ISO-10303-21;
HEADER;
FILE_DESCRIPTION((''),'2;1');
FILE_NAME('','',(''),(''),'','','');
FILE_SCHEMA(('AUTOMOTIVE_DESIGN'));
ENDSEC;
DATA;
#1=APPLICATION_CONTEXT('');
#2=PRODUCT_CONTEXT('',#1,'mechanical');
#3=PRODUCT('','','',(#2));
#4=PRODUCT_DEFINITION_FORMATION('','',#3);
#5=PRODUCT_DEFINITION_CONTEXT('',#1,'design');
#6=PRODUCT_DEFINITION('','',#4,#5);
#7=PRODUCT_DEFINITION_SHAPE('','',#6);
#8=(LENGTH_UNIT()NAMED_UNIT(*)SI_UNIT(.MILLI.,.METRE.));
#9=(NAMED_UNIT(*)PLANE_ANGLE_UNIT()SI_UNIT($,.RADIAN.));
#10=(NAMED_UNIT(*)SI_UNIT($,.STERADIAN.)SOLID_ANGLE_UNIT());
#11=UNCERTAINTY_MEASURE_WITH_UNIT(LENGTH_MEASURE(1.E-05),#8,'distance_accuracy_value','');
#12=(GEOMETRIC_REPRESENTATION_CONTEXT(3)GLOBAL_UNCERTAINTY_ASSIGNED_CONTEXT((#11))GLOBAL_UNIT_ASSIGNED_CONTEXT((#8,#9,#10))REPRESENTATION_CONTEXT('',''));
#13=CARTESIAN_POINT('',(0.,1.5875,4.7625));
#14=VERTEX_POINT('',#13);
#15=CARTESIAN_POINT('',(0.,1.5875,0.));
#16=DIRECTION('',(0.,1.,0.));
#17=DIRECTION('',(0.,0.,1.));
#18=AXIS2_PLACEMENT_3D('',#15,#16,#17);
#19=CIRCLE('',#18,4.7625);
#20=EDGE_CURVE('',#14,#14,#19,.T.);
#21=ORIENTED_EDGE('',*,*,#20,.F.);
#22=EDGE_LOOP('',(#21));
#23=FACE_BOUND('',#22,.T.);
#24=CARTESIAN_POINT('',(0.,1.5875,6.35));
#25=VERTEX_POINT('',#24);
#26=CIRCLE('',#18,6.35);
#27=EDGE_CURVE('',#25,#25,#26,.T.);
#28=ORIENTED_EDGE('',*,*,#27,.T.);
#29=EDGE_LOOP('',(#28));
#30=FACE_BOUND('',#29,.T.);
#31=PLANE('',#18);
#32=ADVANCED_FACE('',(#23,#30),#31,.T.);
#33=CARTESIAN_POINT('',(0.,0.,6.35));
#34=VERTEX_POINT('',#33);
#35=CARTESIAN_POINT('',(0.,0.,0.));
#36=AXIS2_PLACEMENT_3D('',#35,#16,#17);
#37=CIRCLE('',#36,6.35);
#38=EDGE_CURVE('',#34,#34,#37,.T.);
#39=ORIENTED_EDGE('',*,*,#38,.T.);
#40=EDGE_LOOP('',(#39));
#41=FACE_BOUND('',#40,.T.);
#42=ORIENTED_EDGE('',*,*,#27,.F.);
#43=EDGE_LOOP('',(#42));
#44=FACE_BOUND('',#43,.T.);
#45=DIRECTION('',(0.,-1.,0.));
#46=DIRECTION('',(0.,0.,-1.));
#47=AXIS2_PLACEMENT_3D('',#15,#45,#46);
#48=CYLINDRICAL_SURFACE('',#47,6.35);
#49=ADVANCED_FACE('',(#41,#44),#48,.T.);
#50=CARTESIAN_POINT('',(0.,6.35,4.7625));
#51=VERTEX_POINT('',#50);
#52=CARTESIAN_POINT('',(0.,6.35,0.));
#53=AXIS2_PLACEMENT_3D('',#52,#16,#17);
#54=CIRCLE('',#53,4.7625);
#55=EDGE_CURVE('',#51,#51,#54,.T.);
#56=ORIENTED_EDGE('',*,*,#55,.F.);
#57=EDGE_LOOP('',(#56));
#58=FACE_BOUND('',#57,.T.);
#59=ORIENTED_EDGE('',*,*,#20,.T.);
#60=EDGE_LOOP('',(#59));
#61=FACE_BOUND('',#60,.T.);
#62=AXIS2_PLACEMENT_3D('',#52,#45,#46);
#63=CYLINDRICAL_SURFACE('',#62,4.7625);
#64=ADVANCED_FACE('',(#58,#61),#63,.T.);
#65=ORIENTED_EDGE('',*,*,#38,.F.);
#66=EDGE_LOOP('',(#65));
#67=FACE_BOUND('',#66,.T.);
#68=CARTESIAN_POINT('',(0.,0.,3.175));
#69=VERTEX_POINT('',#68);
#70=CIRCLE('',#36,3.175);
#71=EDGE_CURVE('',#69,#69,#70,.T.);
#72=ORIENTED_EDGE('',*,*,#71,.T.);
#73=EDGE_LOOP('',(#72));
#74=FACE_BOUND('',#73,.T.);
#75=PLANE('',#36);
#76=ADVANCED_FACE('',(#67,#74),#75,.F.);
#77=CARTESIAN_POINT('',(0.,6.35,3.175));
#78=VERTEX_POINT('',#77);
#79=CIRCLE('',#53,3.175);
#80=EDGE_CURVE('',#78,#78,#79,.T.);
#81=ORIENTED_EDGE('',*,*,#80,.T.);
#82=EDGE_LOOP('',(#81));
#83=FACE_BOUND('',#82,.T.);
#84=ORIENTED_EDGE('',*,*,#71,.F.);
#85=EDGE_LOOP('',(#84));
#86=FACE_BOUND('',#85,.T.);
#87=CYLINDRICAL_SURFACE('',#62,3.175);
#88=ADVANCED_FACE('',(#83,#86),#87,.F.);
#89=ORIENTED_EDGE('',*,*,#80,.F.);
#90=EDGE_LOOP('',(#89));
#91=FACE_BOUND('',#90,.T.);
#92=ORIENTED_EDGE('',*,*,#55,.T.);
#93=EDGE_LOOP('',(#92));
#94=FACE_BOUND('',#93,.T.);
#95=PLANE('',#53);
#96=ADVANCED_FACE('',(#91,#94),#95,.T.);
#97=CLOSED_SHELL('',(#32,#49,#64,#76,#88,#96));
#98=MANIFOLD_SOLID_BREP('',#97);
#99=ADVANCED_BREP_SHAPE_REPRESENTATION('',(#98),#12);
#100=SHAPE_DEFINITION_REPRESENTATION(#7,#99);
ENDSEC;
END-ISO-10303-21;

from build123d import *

# Parameters (mm, degrees)
SKETCH2_R           = 4.7625
SKETCH2_R_2         = 3.175
BOSS_EXTRUDE1_DEPTH = 6.35
SKETCH3_R           = 6.35
SKETCH3_R_2         = 4.7625
BOSS_EXTRUDE2_DEPTH = 1.5875


with BuildPart() as part:
    # Sketch2 → Boss-Extrude1 (new body)
    with BuildSketch(Plane(origin=(0, 0, 0), x_dir=(1, 0, 0), z_dir=(0, 1, 0))):
        Circle(SKETCH2_R)
        Circle(SKETCH2_R_2, mode=Mode.SUBTRACT)
    extrude(amount=BOSS_EXTRUDE1_DEPTH)

    # Sketch3 → Boss-Extrude2 (add)
    with BuildSketch(Plane(origin=(0, 0, 0), x_dir=(1, 0, 0), z_dir=(0, 1, 0))):
        Circle(SKETCH3_R)
        Circle(SKETCH3_R_2, mode=Mode.SUBTRACT)
    extrude(amount=BOSS_EXTRUDE2_DEPTH)


solid = part.part
